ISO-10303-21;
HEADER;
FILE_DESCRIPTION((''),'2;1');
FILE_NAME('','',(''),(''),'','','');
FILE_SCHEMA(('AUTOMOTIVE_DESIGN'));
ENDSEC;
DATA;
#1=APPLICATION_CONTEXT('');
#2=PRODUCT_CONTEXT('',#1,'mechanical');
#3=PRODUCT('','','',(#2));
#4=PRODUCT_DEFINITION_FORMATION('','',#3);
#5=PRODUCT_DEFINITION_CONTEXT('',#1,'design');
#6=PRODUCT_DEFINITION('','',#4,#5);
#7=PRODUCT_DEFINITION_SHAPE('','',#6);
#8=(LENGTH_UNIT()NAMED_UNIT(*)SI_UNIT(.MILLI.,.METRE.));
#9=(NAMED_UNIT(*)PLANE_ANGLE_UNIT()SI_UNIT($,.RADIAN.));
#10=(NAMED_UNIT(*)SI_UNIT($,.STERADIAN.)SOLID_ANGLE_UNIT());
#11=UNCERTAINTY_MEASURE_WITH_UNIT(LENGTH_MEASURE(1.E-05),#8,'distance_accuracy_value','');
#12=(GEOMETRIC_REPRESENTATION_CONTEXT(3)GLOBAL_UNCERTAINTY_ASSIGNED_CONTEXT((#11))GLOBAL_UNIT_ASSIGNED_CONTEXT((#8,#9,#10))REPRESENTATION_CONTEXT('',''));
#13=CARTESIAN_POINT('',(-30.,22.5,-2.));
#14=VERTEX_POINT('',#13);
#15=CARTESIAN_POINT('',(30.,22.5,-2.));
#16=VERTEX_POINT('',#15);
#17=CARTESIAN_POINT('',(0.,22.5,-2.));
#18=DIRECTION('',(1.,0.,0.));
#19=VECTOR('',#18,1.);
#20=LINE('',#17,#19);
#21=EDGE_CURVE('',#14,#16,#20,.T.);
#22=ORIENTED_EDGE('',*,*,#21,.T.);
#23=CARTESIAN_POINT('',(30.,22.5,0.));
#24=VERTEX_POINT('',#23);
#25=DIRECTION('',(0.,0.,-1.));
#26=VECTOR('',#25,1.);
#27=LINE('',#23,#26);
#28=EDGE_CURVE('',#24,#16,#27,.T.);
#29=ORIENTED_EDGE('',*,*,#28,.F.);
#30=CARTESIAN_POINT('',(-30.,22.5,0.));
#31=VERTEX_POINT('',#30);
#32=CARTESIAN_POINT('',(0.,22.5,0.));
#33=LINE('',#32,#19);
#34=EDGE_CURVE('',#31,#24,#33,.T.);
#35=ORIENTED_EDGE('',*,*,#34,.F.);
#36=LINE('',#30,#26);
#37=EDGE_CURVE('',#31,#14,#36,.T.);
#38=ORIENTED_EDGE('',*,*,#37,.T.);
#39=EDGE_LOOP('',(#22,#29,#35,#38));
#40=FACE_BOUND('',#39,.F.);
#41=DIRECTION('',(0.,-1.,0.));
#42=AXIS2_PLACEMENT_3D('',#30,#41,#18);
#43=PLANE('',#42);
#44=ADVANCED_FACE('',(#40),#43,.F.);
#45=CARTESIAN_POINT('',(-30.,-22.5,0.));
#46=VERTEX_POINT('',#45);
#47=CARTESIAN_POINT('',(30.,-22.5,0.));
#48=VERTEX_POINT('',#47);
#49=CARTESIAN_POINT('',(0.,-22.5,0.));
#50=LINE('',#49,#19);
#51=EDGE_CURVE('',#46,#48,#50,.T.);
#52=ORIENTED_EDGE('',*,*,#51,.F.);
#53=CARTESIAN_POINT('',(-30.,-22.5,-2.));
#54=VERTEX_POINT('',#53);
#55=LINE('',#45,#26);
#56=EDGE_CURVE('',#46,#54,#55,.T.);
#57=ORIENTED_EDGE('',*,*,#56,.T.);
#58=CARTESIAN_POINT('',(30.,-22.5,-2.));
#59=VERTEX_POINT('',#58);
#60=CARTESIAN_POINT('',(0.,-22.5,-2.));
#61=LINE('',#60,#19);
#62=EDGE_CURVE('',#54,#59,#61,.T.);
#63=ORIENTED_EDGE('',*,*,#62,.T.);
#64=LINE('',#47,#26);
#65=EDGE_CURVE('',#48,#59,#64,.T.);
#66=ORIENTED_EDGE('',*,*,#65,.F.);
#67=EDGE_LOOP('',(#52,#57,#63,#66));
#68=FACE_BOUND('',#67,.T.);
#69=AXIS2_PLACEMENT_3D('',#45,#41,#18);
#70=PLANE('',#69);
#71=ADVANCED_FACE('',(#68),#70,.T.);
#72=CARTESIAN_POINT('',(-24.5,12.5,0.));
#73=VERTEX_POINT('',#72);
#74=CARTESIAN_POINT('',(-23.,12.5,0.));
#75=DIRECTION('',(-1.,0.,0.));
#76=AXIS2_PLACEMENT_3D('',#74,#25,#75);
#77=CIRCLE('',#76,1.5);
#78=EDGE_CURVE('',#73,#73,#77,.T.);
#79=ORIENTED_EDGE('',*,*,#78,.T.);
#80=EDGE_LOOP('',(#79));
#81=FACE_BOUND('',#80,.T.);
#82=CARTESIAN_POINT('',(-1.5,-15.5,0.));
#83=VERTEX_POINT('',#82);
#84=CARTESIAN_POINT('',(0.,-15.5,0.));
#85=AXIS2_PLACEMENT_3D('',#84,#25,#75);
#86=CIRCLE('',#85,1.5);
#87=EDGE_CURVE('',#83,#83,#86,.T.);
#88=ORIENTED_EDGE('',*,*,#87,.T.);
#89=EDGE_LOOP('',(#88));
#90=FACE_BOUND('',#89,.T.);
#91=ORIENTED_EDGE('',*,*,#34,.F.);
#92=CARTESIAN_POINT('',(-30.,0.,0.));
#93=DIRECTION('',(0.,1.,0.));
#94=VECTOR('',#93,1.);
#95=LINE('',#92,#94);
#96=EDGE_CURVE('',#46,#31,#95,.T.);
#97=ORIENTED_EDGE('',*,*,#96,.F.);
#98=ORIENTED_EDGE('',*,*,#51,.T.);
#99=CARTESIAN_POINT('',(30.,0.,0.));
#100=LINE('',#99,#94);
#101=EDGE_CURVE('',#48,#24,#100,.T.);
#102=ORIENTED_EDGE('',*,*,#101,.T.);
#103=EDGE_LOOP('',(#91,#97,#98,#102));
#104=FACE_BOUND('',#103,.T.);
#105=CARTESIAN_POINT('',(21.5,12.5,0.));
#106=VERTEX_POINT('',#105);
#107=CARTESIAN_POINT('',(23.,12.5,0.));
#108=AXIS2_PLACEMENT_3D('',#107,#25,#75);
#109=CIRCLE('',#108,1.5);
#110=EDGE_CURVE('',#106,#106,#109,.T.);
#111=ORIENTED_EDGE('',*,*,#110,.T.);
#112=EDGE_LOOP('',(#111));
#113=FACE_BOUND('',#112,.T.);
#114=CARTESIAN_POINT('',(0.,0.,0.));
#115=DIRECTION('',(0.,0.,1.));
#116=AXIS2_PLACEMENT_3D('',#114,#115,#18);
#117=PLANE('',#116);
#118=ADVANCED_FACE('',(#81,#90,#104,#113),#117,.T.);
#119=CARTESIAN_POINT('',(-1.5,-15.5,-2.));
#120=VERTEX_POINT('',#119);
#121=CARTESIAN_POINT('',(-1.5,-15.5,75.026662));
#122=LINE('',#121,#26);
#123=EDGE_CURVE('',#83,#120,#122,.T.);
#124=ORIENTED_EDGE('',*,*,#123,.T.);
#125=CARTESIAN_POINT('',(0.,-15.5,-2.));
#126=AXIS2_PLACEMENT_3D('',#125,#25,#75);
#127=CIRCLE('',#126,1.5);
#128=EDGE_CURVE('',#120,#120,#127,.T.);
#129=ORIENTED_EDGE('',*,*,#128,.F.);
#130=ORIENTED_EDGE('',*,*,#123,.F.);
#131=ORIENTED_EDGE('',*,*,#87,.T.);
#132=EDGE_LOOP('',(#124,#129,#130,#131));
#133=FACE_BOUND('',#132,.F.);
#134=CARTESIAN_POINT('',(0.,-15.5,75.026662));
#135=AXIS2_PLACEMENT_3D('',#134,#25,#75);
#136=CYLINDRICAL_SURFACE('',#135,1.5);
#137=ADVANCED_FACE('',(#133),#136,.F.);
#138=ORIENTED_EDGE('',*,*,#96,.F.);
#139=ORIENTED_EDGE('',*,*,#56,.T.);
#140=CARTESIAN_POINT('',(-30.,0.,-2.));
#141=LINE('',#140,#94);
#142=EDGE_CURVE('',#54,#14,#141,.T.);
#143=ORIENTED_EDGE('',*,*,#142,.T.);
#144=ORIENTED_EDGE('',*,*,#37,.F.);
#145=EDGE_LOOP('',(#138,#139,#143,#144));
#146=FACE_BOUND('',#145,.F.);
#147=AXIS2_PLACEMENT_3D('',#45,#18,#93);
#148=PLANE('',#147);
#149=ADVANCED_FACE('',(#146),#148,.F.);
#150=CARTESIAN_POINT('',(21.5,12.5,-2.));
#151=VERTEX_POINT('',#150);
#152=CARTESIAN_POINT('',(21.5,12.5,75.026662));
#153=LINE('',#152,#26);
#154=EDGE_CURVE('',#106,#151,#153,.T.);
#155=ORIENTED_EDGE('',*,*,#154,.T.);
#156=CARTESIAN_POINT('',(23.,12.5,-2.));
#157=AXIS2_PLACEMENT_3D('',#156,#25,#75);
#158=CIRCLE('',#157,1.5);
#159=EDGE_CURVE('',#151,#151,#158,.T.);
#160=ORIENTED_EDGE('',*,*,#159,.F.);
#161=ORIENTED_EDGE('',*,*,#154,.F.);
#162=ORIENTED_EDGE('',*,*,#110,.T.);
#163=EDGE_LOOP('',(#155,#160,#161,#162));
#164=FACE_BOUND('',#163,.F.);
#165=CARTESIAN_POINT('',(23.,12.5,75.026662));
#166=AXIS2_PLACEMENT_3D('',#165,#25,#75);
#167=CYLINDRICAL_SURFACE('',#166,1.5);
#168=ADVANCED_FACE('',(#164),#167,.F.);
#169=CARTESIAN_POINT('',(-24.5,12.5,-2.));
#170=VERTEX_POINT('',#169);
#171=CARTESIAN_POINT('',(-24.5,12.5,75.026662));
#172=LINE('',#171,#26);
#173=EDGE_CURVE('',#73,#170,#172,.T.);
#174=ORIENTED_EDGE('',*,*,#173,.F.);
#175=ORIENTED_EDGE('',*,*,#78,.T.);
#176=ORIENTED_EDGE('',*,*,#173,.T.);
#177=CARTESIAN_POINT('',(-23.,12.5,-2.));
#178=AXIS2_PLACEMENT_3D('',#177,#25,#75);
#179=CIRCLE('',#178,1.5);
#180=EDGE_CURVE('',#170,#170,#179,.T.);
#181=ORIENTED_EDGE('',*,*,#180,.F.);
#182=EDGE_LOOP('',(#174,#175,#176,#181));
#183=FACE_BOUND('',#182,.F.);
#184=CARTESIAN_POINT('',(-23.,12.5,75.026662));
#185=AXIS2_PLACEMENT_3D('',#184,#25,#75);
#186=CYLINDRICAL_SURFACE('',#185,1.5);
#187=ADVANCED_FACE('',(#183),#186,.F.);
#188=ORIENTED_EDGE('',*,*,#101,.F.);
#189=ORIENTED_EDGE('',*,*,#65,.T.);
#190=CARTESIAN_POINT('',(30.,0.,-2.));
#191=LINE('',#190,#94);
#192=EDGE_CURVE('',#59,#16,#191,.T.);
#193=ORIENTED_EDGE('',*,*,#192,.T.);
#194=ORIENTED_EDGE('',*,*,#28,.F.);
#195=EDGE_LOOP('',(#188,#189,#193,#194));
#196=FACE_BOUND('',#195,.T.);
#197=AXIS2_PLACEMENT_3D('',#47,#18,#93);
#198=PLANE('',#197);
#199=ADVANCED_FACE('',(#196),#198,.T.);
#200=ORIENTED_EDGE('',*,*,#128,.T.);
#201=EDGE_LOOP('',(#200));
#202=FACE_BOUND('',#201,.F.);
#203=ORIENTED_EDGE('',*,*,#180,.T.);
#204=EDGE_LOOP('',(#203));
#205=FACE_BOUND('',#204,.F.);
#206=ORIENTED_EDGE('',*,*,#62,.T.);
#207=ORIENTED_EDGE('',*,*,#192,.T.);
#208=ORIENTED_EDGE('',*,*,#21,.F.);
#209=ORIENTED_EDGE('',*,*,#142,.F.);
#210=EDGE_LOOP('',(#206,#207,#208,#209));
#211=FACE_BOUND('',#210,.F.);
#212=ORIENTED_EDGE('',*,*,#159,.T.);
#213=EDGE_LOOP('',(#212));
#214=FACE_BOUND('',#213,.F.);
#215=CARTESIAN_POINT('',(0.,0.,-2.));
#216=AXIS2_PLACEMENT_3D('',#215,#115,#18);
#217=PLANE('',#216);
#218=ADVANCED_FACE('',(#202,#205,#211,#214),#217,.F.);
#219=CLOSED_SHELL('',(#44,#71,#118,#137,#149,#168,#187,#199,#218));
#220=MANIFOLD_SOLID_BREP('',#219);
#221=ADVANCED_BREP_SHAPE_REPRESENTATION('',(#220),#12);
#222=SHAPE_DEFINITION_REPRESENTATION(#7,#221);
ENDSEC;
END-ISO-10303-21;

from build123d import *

# Parameters (mm, degrees)
F0_W     = 60
F0_H     = 45
F1_DEPTH = 2
F3_D     = 3


with BuildPart() as f1:
    # F0 (on Top) → F1 (new body)
    with BuildSketch(Plane.XY):
        Rectangle(F0_W, F0_H)
    extrude(amount=-F1_DEPTH)

    # F3 (through all)
    with Locations(Plane.XY):
        with Locations((-23, 12.5), (23, 12.5), (0, -15.5)):
            Hole(F3_D / 2)


solid = f1.part
